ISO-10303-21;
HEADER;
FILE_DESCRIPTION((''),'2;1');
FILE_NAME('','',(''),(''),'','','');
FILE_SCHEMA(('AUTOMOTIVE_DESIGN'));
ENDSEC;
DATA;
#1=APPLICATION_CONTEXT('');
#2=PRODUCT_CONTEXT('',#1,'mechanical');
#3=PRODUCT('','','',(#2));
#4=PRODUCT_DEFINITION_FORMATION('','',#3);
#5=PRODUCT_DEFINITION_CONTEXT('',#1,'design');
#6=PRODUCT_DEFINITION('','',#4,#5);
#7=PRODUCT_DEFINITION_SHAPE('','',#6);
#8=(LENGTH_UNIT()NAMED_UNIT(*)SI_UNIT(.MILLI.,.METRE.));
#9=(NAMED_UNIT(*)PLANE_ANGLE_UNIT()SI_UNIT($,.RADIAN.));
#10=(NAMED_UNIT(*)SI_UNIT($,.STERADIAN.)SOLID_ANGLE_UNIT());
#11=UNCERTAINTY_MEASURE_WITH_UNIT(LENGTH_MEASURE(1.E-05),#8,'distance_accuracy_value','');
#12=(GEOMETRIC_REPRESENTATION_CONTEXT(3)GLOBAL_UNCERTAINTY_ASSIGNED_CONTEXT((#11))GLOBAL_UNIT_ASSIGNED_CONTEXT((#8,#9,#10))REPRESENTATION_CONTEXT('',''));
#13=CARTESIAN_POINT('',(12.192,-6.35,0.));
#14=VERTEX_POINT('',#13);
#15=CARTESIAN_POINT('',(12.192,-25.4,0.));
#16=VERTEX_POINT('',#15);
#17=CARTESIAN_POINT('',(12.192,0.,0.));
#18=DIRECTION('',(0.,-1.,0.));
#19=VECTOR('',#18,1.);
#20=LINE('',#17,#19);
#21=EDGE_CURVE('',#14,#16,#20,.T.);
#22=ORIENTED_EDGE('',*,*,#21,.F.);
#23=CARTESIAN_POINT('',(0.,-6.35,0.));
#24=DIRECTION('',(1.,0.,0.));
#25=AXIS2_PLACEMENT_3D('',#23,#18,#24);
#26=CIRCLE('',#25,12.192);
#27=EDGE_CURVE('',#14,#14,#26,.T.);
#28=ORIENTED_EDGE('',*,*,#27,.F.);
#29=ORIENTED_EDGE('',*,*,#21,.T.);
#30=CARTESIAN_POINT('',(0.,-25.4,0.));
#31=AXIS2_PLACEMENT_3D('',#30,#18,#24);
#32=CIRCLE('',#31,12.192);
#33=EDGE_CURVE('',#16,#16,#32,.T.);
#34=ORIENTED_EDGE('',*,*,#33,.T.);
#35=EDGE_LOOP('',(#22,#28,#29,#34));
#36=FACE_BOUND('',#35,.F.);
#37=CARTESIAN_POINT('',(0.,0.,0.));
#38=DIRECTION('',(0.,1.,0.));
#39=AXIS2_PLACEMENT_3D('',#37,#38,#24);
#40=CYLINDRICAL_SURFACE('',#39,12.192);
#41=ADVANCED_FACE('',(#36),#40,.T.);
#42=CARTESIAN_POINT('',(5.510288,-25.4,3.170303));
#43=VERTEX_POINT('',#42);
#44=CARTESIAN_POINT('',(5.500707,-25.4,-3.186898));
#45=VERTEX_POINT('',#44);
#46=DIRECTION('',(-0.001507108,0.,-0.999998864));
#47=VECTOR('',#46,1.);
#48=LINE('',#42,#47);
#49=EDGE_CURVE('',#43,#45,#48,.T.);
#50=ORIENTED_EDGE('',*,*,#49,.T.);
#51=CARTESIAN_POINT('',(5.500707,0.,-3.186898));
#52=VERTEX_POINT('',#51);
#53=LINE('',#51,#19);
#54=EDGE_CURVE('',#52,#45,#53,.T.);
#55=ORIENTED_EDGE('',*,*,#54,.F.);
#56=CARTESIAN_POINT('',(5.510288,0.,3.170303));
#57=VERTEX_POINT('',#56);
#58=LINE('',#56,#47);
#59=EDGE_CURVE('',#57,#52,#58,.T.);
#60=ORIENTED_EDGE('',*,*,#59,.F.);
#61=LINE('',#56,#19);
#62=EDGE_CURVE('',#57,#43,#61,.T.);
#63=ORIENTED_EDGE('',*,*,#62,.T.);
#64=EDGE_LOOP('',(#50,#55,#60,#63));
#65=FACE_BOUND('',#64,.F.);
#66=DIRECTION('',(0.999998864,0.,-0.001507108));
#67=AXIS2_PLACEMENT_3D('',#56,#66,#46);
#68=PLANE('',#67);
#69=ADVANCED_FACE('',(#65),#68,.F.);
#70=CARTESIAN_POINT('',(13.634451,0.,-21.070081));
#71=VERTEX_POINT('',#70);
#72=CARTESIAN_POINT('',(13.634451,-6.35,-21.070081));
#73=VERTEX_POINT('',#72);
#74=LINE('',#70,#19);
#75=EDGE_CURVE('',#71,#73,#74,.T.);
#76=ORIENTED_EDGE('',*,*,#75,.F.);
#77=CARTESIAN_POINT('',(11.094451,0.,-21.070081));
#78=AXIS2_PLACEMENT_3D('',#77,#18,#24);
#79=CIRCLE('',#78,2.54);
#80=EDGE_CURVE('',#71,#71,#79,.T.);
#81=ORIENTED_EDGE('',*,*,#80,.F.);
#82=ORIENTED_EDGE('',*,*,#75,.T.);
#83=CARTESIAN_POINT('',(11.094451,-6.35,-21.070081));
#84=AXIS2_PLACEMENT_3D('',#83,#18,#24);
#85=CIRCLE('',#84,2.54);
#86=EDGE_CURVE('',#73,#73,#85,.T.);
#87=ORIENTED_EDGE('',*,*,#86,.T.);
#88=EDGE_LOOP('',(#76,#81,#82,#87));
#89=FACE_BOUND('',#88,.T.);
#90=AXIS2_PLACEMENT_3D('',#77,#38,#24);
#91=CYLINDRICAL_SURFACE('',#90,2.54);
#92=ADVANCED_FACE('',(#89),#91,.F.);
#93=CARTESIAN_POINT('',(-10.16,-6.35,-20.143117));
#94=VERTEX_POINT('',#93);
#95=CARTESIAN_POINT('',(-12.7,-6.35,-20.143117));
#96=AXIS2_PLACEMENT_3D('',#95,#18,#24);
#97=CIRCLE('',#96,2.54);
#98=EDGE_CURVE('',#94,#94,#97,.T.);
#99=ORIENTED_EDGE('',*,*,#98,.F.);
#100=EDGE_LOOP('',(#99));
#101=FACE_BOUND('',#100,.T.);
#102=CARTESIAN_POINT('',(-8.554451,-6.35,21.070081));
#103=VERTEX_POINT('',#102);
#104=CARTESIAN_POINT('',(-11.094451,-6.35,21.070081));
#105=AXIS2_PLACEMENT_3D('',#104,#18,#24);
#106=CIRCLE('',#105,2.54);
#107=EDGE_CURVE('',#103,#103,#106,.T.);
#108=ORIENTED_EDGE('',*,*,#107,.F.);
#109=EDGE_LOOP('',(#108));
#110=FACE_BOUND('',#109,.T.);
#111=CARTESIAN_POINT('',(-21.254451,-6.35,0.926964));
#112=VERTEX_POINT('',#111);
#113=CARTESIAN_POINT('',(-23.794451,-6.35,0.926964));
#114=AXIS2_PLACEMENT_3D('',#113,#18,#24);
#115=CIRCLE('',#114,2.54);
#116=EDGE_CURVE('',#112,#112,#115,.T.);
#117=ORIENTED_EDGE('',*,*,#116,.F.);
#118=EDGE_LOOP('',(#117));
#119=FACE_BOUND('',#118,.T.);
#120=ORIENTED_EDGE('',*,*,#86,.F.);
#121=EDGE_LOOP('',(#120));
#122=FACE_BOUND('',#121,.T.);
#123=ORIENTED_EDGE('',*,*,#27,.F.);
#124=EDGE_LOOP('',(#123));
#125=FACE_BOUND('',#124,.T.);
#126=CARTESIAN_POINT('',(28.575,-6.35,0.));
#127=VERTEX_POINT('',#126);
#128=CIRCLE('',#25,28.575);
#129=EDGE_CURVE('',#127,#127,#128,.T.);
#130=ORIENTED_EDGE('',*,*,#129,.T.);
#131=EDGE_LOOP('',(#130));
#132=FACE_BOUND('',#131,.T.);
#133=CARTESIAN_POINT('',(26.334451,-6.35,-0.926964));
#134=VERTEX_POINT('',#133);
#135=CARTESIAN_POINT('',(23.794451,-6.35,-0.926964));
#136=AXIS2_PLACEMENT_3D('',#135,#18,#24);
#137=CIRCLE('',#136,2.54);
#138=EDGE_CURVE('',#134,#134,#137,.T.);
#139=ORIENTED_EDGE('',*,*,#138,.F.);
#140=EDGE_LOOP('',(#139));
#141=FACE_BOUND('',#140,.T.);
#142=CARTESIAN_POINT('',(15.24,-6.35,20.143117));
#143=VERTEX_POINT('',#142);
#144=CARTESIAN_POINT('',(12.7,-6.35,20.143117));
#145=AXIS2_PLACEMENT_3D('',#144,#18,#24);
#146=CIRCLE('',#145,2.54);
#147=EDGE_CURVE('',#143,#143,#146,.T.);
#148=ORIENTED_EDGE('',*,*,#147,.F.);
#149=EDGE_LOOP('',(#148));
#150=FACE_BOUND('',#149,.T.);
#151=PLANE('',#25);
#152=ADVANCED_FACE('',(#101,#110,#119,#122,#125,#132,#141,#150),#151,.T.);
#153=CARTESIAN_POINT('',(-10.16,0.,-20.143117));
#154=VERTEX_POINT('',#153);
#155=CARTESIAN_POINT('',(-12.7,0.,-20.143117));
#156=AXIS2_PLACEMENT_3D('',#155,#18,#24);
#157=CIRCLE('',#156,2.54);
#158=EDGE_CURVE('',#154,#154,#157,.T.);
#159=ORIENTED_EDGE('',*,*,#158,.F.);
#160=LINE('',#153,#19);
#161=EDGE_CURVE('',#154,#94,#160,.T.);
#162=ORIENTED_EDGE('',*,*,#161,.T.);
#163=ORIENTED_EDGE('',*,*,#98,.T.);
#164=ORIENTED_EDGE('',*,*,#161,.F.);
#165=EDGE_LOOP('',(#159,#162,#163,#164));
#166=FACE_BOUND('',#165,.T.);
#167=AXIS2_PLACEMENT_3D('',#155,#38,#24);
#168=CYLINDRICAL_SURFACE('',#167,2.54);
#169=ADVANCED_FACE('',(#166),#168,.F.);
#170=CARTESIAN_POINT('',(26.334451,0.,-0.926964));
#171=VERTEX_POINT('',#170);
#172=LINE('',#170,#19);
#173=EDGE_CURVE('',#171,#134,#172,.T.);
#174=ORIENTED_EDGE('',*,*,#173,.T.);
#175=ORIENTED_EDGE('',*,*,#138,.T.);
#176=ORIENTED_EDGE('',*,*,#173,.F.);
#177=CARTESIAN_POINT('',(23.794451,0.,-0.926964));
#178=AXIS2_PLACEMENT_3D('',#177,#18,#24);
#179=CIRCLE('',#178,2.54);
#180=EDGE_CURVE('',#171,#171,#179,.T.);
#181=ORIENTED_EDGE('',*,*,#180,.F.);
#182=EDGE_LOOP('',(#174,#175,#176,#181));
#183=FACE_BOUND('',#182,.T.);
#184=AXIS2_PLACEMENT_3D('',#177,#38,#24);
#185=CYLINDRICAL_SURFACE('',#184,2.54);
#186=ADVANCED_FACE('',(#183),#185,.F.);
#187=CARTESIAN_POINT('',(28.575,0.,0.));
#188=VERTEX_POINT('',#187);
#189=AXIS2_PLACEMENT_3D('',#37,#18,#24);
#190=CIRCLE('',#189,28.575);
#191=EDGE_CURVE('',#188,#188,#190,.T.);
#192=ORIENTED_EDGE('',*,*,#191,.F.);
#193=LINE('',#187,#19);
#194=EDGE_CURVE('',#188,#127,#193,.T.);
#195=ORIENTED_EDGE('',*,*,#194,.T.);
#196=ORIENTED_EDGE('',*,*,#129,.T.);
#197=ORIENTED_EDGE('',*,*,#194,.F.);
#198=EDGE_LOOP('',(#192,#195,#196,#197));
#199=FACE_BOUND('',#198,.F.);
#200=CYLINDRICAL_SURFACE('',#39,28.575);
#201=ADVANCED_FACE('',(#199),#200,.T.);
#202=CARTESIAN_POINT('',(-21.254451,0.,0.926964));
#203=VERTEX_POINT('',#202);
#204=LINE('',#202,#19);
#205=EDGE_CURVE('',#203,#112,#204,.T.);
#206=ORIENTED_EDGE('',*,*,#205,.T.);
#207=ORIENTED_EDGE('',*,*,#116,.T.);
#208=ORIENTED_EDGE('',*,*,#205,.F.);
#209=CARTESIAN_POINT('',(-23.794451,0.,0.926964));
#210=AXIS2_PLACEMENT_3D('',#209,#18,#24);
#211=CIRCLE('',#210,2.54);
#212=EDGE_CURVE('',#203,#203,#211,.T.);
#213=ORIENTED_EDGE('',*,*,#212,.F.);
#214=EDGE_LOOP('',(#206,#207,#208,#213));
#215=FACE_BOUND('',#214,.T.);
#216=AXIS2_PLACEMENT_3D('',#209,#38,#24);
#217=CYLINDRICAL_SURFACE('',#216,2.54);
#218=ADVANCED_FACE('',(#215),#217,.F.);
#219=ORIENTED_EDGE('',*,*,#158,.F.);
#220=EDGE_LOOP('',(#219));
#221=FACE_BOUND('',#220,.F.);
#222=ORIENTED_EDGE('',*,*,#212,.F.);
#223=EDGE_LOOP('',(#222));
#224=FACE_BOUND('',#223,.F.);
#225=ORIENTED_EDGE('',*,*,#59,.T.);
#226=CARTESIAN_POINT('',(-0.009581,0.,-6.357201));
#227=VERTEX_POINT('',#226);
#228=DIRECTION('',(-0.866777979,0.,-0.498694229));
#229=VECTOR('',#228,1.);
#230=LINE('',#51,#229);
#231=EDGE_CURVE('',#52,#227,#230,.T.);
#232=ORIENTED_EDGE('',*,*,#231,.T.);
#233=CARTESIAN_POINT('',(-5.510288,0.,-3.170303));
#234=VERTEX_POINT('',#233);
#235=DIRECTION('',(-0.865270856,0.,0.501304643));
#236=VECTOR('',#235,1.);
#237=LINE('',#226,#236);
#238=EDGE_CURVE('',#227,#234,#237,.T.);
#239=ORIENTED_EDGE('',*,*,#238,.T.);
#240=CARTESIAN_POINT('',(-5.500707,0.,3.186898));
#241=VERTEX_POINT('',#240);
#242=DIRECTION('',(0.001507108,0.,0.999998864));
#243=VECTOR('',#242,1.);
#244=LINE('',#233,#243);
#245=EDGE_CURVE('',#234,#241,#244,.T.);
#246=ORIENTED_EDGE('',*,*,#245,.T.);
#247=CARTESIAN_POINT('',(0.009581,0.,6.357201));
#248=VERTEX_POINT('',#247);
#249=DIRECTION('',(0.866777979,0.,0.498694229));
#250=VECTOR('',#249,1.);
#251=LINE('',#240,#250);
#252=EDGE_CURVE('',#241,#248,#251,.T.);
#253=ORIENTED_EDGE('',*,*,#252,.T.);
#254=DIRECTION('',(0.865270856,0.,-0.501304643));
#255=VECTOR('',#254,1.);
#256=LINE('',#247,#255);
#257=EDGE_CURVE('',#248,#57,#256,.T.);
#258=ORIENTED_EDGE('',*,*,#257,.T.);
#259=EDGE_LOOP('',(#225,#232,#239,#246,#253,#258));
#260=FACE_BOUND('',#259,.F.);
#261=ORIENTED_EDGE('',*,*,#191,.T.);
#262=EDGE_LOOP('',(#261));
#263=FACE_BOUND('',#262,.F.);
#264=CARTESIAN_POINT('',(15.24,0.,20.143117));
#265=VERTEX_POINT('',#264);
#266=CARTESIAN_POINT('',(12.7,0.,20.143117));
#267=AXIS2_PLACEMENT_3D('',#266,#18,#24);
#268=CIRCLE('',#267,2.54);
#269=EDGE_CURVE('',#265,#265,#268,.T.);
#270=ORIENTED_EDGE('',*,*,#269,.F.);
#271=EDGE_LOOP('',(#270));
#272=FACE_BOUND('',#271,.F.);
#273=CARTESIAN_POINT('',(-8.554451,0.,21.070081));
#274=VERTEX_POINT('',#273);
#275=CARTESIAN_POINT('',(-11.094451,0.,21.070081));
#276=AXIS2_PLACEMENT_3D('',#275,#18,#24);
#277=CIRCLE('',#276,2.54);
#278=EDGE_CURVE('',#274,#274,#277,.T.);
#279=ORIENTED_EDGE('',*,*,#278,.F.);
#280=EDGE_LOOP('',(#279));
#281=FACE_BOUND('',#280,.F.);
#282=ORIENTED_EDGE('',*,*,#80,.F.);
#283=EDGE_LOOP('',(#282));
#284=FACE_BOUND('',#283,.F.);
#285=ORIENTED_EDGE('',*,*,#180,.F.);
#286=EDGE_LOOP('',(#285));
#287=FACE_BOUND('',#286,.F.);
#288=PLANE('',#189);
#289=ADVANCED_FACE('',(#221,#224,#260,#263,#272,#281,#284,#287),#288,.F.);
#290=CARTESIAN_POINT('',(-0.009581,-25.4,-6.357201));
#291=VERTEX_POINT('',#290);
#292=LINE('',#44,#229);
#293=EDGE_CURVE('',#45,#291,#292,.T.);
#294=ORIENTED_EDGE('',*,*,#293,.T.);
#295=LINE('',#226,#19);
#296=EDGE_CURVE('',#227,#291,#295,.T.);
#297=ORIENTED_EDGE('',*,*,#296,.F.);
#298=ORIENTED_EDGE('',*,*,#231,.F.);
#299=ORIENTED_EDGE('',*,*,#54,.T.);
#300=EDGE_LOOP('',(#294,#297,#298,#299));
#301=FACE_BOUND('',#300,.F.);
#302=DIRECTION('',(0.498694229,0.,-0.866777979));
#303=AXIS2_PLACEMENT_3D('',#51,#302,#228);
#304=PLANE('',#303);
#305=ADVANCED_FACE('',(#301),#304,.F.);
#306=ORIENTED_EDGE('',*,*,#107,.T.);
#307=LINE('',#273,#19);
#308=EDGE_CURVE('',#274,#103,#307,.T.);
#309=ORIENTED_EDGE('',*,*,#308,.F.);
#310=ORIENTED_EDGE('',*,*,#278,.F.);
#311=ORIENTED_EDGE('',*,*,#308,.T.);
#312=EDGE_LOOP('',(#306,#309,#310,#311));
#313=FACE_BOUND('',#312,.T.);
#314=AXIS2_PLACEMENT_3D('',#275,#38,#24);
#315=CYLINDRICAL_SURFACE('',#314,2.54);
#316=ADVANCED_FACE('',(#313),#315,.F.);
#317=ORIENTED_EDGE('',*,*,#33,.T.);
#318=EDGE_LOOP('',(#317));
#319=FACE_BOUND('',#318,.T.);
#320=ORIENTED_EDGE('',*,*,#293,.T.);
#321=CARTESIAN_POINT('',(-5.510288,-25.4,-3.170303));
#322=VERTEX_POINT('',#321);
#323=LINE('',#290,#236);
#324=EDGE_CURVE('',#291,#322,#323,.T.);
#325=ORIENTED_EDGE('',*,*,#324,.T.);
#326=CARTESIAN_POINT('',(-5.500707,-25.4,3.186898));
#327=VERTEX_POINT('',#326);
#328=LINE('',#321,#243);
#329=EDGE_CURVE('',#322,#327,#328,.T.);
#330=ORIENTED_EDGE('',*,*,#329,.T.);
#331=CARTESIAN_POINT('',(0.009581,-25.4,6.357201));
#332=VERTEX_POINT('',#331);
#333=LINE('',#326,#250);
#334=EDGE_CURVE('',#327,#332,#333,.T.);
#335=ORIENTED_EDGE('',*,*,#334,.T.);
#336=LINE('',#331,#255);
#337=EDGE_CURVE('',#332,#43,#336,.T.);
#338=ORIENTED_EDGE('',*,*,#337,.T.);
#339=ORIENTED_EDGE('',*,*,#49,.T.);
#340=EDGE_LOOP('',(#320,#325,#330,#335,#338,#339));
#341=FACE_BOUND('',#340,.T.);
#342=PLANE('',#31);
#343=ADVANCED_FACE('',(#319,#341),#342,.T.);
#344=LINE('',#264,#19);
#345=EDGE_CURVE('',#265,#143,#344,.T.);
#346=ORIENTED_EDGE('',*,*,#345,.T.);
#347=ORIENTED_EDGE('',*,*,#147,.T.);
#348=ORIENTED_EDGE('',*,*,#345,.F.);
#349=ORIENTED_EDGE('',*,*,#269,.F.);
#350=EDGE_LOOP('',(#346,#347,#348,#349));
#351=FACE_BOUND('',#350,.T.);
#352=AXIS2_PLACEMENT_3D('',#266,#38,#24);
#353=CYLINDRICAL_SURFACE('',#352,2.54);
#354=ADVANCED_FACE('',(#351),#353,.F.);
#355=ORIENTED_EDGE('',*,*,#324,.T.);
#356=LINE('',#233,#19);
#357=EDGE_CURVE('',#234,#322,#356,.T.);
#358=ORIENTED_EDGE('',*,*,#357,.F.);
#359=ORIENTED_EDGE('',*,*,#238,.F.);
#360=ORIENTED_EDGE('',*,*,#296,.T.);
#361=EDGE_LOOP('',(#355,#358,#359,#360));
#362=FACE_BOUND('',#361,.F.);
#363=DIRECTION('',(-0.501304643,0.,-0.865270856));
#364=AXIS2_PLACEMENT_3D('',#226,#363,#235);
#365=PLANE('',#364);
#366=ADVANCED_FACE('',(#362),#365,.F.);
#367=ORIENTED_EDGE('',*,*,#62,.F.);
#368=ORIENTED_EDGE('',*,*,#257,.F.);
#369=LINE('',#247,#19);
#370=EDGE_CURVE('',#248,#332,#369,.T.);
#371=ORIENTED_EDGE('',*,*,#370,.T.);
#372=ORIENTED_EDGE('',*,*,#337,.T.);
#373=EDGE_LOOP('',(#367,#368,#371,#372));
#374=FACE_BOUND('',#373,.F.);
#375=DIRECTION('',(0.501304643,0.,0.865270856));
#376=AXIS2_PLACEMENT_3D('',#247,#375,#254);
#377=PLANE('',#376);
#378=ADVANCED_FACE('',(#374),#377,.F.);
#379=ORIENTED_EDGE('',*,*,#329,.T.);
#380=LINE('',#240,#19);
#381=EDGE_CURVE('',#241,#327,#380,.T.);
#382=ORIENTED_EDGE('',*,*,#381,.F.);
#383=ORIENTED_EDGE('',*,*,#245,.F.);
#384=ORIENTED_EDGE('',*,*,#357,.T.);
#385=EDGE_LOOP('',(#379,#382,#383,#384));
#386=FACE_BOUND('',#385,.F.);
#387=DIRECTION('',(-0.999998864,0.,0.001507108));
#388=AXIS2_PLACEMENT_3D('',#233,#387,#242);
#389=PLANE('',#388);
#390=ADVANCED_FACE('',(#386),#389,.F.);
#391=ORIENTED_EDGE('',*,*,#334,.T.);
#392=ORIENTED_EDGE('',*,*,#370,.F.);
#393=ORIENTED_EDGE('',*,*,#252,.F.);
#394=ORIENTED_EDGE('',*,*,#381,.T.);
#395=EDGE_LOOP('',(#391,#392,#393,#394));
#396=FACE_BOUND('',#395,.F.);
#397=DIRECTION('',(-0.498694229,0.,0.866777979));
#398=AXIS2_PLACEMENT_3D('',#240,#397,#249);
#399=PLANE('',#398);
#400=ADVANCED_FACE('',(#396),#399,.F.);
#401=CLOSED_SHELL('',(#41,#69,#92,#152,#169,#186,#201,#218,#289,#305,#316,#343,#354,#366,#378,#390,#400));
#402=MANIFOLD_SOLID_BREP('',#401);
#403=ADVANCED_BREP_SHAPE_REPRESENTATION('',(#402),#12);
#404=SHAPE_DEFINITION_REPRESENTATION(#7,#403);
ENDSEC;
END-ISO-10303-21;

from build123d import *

# Parameters (mm, degrees)
F0_R     = 28.575
F0_R_2   = 2.54
F0_R_3   = 12.192
F1_DEPTH = 6.35
F2_DEPTH = 25.4


with BuildPart() as f1:
    # F0 (on Front) → F1 (new body)
    with BuildSketch(Plane.XZ):
        Circle(F0_R)
        with Locations((-12.7, -20.143117)):
            Circle(F0_R_2, mode=Mode.SUBTRACT)
        with Locations((11.094451, -21.070081)):
            Circle(F0_R_2, mode=Mode.SUBTRACT)
        with Locations((23.794451, -0.926964)):
            Circle(F0_R_2, mode=Mode.SUBTRACT)
        with Locations((-23.794451, 0.926964)):
            Circle(F0_R_2, mode=Mode.SUBTRACT)
        with Locations((-11.094451, 21.070081)):
            Circle(F0_R_2, mode=Mode.SUBTRACT)
        Circle(F0_R_3, mode=Mode.SUBTRACT)
        with Locations((12.7, 20.143117)):
            Circle(F0_R_2, mode=Mode.SUBTRACT)
    extrude(amount=F1_DEPTH)

    # F0 (on Front) → F2 (join)
    with BuildSketch(Plane.XZ):
        Circle(F0_R_3)
        Polygon((-5.500707, 3.186898), (0.009581, 6.357201), (5.510288, 3.170303), (5.500707, -3.186898), (-0.009581, -6.357201), (-5.510288, -3.170303), align=None, mode=Mode.SUBTRACT)
    extrude(amount=F2_DEPTH)


solid = f1.part
